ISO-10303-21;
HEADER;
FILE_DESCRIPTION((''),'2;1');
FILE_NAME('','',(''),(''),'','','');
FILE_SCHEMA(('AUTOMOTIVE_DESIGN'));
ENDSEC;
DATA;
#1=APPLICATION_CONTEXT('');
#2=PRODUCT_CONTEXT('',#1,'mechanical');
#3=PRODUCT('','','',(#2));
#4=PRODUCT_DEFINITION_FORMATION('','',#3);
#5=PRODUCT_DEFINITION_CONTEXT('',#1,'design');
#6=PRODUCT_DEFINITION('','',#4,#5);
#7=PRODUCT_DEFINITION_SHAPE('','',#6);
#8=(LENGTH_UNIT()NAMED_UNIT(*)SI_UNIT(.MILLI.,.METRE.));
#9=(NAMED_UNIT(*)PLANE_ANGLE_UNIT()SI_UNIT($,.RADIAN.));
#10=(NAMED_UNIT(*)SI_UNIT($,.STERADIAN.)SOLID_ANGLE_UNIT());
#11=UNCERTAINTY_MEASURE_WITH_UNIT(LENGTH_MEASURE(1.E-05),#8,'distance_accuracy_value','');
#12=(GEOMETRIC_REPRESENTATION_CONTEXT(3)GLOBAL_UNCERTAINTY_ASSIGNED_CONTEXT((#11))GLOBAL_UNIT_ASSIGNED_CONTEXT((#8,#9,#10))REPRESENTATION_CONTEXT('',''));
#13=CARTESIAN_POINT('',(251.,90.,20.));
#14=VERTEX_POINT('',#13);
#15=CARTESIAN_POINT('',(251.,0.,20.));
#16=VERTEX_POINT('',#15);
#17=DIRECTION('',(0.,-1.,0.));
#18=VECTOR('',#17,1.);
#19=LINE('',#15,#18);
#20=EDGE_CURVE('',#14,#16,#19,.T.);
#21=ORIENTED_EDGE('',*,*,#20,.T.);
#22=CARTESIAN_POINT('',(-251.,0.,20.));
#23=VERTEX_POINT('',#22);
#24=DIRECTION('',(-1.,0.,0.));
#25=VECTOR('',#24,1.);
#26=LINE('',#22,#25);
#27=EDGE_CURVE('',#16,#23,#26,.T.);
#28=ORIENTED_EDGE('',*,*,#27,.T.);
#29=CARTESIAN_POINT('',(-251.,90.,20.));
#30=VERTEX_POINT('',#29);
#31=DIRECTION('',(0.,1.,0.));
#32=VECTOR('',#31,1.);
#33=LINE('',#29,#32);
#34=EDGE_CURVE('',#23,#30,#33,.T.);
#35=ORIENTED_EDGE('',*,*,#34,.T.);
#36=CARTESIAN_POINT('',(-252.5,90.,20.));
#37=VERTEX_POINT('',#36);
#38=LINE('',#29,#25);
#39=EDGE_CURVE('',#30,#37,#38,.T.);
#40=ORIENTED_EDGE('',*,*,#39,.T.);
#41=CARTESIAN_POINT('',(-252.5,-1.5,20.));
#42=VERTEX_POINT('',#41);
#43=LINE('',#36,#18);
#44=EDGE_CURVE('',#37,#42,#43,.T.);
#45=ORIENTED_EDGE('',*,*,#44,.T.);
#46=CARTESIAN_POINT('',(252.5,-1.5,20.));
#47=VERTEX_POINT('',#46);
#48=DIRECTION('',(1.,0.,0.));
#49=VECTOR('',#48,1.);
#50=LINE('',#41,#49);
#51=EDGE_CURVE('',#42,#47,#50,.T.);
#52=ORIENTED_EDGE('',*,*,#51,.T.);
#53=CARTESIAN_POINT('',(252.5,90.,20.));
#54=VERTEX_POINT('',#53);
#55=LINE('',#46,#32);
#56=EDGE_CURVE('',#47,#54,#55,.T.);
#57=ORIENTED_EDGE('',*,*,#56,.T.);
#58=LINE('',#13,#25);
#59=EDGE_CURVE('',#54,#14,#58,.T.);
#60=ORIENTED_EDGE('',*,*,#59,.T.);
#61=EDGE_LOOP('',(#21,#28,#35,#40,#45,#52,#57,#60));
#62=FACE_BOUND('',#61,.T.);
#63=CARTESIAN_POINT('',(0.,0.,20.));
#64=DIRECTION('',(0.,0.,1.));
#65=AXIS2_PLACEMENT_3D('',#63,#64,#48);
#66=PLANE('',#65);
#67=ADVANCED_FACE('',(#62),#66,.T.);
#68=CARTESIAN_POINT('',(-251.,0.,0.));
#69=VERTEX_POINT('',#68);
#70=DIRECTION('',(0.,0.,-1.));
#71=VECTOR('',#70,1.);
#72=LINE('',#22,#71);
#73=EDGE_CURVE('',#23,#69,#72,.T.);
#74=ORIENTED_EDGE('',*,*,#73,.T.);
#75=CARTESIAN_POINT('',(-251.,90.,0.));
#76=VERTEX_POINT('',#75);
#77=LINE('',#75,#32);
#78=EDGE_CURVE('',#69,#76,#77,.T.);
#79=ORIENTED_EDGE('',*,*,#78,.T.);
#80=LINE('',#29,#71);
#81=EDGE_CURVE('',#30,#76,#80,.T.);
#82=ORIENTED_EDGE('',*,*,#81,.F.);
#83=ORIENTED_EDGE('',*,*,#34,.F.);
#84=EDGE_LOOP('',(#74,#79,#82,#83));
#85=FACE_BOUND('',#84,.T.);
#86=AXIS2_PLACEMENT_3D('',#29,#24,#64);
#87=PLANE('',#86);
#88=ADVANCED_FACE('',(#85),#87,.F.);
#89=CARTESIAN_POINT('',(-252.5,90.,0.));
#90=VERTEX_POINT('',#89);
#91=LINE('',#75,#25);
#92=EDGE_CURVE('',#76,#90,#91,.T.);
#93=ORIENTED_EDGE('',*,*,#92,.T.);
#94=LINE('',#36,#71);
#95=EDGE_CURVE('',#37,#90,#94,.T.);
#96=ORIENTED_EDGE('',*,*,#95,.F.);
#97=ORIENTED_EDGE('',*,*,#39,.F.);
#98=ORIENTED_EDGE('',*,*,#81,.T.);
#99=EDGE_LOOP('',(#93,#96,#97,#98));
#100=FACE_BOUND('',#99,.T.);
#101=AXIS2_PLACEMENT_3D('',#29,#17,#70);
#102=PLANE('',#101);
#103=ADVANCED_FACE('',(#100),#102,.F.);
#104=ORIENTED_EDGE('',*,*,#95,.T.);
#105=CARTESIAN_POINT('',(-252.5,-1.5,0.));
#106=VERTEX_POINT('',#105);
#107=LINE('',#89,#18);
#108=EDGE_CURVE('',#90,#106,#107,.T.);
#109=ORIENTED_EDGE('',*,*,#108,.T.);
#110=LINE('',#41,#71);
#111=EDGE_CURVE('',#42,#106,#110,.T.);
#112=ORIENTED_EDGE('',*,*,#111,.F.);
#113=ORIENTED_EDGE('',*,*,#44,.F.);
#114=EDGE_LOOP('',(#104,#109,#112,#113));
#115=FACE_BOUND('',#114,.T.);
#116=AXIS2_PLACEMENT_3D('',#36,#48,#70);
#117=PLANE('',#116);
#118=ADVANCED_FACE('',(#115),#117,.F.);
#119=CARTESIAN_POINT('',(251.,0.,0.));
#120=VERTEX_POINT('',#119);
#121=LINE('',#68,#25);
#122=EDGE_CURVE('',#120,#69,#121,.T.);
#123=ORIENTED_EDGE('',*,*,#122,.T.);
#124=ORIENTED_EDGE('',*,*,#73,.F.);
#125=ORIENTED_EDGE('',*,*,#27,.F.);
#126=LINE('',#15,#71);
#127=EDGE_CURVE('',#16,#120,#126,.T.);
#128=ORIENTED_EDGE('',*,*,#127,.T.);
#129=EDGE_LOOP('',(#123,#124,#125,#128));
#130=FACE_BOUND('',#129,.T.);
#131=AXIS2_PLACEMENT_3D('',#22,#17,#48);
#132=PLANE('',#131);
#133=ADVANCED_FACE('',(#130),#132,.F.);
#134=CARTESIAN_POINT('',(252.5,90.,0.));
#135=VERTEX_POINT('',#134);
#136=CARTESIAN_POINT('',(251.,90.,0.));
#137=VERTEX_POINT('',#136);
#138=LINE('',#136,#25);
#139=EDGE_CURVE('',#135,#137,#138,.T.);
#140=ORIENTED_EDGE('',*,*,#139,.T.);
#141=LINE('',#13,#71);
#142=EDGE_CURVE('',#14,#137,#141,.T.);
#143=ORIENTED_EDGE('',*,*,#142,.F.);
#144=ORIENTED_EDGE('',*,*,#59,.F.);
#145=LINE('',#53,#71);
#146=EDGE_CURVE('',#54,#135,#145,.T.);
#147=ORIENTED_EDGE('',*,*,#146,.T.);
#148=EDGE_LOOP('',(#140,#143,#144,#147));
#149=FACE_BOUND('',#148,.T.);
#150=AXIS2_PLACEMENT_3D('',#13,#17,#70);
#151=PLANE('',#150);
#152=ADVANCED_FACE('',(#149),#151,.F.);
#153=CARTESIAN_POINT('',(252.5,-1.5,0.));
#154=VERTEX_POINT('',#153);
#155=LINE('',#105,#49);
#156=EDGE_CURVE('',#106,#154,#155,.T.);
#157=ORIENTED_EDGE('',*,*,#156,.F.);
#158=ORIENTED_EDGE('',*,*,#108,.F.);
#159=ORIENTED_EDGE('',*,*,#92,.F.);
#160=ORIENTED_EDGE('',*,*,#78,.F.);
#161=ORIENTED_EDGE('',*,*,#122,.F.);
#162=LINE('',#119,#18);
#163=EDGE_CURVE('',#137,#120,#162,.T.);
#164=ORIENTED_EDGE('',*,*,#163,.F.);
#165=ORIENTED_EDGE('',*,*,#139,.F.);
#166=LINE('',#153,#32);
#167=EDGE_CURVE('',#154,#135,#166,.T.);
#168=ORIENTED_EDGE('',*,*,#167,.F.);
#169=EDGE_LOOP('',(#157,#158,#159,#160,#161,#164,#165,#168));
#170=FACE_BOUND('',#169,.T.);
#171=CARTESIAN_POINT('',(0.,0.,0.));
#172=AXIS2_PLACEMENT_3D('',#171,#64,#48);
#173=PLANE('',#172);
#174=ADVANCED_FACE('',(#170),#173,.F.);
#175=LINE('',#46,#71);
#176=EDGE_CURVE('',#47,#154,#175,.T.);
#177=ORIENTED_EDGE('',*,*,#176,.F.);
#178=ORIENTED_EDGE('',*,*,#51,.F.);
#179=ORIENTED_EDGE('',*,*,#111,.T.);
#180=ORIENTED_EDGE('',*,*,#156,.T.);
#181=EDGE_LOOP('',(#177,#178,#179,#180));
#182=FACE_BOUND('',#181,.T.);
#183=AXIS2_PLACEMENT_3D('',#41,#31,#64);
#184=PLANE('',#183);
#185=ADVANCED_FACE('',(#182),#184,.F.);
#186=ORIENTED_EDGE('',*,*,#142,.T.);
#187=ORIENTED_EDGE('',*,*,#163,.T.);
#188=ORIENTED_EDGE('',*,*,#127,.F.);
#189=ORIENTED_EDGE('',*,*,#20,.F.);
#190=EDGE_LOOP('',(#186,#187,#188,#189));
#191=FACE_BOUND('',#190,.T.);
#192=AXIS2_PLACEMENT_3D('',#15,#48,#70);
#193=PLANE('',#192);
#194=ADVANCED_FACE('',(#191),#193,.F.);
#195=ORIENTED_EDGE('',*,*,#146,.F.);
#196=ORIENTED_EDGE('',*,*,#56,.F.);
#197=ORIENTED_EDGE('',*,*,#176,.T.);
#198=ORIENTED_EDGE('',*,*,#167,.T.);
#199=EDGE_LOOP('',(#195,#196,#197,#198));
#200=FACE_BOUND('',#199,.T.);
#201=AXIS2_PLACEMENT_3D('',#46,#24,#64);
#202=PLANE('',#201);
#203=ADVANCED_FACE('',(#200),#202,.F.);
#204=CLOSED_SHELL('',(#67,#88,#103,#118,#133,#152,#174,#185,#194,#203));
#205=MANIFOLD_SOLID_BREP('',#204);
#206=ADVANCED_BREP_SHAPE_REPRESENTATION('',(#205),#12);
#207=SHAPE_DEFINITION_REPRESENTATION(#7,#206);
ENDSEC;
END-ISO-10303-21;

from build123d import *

# Parameters (mm, degrees)
BOSS_EXTRUDE1_DEPTH = 20


with BuildPart() as part:
    # Sketch1 → Boss-Extrude1 (new body)
    with BuildSketch(Plane.XY):
        Polygon((-251, 90), (-251, 0), (251, 0), (251, 90), (252.5, 90), (252.5, -1.5), (-252.5, -1.5), (-252.5, 90), align=None)
    extrude(amount=BOSS_EXTRUDE1_DEPTH)


solid = part.part
